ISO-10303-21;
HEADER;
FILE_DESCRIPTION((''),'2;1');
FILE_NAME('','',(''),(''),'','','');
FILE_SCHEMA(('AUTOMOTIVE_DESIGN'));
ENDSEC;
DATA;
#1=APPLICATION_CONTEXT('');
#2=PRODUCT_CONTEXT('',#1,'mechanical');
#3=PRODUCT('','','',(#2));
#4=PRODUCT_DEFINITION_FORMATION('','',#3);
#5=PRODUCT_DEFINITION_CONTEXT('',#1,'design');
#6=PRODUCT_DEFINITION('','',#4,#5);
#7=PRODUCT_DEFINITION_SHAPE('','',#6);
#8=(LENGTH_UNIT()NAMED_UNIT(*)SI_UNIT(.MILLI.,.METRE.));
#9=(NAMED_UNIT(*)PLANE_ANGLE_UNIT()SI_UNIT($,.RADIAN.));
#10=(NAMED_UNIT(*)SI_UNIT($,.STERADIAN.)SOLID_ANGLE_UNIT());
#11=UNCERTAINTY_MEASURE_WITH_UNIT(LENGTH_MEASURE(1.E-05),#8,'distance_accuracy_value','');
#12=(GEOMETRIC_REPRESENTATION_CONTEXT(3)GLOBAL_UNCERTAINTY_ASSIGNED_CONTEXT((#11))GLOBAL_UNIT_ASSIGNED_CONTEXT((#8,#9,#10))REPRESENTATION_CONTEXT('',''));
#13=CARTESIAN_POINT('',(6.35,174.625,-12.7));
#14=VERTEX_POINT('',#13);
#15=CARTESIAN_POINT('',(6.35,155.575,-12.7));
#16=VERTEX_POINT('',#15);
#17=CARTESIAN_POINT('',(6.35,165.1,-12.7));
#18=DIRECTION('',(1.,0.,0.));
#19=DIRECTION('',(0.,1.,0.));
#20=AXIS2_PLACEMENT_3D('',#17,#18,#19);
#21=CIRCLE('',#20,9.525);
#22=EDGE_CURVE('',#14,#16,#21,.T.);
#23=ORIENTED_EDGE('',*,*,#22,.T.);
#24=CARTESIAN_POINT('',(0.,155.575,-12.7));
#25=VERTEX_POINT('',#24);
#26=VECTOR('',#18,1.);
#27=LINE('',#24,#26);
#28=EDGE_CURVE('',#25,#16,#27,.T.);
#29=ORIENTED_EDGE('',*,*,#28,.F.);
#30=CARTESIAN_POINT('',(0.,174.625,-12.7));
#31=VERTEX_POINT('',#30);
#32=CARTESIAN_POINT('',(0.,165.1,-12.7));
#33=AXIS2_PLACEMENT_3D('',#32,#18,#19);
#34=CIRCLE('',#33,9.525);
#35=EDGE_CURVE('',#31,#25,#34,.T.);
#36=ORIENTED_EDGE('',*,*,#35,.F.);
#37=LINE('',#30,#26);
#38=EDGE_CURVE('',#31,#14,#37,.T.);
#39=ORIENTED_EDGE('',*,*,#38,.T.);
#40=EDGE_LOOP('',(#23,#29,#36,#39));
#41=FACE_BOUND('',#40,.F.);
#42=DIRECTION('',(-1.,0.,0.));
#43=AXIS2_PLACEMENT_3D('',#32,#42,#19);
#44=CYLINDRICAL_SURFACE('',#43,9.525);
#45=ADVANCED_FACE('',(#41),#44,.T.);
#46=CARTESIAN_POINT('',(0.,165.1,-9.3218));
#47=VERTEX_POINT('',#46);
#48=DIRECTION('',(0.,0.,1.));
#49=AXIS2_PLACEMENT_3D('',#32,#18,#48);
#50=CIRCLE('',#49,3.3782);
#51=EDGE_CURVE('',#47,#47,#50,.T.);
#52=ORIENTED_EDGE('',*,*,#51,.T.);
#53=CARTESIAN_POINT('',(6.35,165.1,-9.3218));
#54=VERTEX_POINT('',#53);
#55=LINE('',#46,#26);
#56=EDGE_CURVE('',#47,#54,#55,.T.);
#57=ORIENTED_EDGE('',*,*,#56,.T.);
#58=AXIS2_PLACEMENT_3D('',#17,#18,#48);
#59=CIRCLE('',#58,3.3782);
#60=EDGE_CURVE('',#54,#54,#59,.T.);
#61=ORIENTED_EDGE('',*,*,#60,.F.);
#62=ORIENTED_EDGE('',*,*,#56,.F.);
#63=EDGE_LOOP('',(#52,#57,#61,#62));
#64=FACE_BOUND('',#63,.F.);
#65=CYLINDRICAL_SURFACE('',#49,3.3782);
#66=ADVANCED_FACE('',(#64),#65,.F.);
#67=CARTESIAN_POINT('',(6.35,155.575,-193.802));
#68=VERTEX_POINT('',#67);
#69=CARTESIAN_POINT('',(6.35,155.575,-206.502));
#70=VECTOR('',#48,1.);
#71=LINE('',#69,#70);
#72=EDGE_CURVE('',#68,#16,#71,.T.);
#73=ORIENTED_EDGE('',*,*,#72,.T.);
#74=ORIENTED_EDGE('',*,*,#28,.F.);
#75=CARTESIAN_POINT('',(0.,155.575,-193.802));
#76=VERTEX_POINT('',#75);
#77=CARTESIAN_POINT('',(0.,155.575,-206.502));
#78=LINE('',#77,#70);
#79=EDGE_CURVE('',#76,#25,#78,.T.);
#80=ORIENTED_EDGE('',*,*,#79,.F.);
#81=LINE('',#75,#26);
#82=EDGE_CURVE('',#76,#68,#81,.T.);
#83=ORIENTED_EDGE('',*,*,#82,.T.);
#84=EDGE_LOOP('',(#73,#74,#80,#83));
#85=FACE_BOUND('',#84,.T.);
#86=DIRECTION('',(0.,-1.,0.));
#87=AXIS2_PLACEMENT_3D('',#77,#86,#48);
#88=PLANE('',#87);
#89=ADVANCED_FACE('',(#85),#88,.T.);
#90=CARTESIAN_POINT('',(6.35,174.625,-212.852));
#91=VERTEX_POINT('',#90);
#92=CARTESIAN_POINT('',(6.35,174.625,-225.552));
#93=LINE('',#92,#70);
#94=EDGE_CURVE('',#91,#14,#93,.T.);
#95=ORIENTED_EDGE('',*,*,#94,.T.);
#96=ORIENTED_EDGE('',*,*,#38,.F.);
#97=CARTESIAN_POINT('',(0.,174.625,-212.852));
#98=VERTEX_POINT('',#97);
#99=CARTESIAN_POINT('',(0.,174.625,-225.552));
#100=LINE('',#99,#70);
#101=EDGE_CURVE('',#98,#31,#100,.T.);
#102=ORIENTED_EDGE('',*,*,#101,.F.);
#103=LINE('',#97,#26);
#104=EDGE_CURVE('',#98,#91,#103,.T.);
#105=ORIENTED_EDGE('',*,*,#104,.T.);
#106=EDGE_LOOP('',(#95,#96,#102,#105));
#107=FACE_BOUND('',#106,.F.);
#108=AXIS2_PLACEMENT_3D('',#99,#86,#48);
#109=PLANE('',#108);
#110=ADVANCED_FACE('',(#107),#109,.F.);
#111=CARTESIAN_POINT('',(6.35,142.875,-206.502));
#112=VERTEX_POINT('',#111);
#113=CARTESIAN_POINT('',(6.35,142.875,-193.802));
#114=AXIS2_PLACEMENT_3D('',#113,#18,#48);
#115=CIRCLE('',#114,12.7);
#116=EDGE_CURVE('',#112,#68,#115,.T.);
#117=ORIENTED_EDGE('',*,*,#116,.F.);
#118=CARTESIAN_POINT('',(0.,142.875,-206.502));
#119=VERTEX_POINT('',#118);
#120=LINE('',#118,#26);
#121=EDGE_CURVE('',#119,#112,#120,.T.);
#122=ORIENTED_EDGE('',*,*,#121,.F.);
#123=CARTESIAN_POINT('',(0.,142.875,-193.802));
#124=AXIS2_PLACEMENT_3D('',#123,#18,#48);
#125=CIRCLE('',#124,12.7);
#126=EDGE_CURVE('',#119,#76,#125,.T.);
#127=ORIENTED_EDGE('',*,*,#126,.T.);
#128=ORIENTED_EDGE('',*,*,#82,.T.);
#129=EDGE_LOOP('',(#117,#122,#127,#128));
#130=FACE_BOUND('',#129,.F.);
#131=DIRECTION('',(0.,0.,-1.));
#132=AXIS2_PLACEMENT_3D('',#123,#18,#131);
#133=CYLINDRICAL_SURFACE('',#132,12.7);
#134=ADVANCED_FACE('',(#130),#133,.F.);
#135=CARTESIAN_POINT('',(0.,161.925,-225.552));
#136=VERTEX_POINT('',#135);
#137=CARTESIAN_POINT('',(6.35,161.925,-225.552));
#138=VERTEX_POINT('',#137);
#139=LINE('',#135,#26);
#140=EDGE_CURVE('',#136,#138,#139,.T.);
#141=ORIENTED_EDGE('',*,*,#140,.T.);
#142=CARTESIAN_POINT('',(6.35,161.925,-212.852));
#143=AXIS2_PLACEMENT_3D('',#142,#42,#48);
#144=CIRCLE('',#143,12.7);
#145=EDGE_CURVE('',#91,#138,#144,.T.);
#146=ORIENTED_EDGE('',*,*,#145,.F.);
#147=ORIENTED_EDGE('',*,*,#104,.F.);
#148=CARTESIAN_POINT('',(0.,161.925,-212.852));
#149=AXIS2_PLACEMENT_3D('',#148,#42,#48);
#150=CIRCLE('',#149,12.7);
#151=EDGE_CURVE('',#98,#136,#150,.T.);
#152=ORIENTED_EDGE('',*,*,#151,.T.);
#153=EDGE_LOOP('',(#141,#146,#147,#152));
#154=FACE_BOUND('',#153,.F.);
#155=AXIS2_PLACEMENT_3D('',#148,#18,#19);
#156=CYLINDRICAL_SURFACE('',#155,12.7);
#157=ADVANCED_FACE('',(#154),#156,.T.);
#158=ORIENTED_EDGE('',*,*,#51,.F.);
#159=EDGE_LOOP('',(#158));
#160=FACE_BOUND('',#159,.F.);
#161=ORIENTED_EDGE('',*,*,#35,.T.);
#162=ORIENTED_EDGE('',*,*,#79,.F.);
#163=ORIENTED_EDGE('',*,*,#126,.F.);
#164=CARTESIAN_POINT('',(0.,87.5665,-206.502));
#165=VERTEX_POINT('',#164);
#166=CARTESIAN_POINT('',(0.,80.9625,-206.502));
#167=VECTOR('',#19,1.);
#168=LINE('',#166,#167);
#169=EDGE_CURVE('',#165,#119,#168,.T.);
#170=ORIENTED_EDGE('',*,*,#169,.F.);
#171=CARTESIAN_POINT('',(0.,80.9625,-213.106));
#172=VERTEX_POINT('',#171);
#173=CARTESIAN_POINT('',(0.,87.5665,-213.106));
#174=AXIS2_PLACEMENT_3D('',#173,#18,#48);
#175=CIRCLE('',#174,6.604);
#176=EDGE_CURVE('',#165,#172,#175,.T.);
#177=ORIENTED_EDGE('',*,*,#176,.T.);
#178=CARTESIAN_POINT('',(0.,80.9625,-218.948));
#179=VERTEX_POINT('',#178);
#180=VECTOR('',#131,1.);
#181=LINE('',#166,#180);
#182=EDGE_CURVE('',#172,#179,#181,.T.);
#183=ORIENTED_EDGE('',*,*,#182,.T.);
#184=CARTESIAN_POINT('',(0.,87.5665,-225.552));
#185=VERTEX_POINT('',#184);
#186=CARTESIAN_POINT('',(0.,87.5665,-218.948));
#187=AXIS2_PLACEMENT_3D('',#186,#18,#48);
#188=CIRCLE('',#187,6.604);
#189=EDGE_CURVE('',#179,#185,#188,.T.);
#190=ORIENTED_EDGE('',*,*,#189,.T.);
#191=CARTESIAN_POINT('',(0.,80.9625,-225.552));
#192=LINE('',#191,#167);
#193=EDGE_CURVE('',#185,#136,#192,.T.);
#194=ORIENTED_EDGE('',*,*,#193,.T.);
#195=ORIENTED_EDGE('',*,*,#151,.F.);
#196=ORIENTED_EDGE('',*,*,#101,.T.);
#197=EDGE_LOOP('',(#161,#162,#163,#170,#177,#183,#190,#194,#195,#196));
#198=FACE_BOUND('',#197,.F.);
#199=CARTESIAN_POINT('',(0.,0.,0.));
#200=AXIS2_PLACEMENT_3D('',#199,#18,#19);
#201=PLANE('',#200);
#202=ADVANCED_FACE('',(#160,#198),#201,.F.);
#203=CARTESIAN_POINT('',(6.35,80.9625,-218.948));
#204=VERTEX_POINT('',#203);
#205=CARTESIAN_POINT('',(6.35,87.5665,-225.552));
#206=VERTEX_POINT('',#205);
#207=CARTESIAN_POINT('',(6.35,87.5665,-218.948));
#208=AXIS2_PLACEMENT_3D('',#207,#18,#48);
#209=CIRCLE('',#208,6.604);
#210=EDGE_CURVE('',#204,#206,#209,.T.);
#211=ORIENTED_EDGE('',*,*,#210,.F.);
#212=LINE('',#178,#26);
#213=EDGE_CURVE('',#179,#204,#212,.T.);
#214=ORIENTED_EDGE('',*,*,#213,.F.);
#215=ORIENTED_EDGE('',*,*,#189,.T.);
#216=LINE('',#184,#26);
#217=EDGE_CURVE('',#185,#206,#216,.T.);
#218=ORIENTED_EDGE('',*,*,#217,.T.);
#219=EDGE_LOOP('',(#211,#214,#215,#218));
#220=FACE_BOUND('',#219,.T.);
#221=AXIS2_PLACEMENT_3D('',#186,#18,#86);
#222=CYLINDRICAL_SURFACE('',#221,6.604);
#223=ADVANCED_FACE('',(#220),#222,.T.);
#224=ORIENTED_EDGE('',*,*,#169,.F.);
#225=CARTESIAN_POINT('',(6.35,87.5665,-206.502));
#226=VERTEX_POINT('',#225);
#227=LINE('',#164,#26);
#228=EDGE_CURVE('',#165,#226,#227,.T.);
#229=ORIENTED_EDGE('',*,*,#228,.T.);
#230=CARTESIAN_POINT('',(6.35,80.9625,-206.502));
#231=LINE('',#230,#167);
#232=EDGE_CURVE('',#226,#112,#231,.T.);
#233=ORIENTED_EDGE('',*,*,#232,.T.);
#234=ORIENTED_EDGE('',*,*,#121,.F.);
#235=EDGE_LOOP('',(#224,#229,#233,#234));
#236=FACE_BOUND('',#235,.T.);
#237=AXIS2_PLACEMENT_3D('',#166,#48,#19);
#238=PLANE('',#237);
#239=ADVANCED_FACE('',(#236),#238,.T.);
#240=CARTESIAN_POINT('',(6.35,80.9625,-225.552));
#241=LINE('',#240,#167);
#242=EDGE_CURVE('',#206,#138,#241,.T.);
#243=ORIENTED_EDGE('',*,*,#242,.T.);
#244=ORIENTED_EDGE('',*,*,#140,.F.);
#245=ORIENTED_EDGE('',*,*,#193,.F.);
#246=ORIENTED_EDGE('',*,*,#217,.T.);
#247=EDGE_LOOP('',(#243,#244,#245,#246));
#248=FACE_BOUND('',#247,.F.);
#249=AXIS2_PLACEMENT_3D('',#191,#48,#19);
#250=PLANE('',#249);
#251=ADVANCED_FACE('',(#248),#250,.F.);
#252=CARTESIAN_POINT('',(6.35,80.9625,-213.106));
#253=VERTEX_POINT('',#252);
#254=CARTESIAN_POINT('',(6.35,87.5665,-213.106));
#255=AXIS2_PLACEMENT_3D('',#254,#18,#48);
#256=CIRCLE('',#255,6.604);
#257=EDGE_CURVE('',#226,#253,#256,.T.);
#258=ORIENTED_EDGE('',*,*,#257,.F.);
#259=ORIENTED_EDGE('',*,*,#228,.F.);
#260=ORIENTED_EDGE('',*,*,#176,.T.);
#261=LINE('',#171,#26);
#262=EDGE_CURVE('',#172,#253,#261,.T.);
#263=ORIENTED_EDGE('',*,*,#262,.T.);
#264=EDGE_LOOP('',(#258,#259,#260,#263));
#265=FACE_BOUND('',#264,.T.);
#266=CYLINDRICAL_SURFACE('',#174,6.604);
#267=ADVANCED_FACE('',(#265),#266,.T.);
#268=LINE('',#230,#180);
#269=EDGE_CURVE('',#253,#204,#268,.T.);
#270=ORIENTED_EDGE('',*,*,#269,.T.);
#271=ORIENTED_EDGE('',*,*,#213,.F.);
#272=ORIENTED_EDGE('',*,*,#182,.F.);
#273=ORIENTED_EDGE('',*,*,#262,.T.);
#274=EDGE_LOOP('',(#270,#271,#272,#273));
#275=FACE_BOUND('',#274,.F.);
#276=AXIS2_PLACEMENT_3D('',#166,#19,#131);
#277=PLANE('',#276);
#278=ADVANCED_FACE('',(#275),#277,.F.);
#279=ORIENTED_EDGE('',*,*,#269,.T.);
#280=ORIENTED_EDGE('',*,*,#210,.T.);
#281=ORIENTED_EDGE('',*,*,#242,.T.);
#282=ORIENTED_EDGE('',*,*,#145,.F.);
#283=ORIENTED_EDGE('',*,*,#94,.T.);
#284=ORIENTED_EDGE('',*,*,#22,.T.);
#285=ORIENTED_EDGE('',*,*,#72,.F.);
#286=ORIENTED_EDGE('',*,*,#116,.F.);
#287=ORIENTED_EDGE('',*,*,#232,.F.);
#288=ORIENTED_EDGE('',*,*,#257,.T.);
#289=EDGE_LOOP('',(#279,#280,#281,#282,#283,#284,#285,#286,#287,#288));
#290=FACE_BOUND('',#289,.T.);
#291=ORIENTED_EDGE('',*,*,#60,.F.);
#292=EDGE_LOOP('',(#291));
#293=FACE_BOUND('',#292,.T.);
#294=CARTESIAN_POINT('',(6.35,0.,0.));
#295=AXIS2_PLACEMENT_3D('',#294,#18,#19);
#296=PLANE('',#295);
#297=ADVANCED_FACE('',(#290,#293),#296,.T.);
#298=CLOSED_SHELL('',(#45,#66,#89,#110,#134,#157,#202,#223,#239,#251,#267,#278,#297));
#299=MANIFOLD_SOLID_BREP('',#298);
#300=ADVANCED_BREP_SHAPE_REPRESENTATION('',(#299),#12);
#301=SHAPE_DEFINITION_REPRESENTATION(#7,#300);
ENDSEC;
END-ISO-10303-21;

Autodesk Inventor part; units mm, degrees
ref_plane "YZ Plane" through (0, 0, 0) normal (1, 0, 0) x (0, 1, 0)
ref_plane "XZ Plane" through (0, 0, 0) normal (0, 1, 0) x (-1, 0, 0)
ref_plane "XY Plane" through (0, 0, 0) normal (0, 0, 1) x (1, 0, 0)
sketch "Sketch1" plane through (0, 0, 0) normal (1, 0, 0) x (0, 1, 0)
  line L0 (0, 0) -> (50.8, 0) construction
  line L1 (50.8, 0) -> (50.8, -25.4) construction
  line L2 (50.8, -25.4) -> (0, -25.4) construction
  line L3 (0, -25.4) -> (0, 0) construction
  line L4 (12.7, -25.4) -> (139.7, -25.4) construction
  line L5 (139.7, -25.4) -> (139.7, -111.252) construction
  line L6 (139.7, -111.252) -> (12.7, -111.252) construction
  line L7 (12.7, -111.252) -> (12.7, -25.4) construction
  line L8 (80.9625, -111.252) -> (665.1625, -111.252) construction
  line L9 (665.1625, -111.252) -> (665.1625, -320.802) construction
  line L10 (665.1625, -320.802) -> (80.9625, -320.802) construction
  line L11 (80.9625, -320.802) -> (80.9625, -111.252) construction
  point P0 (0, -12.7)
  dimension "d0" = 50.8
  dimension "d1" = 25.4
  dimension "d2" = 12.7
  dimension "d3" = 85.852
  dimension "d4" = 127
  dimension "d5" = 80.9625
  dimension "d6" = 209.55
  dimension "d7" = 584.2
sketch "Sketch2" plane through (0, 0, 0) normal (1, 0, 0) x (0, 1, 0)
  line L0 (139.7, -25.4) -> (139.7, -111.252) construction
  line L1 (80.9625, -320.802) -> (80.9625, -111.252) construction
  line L2 (139.7, -111.252) -> (12.7, -111.252) construction
  line L3 (50.8, 0) -> (50.8, -25.4) construction
  line L4 (12.7, -25.4) -> (139.7, -25.4) construction
  line L5 (12.7, -111.252) -> (12.7, -25.4) construction
  line L6 (50.8, -25.4) -> (0, -25.4) construction
  line L7 (0, -25.4) -> (0, 0) construction
  line L8 (0, 0) -> (50.8, 0) construction
  line L9 (665.1625, -320.802) -> (80.9625, -320.802) construction
  line L10 (80.9625, -111.252) -> (665.1625, -111.252) construction
  line L11 (665.1625, -111.252) -> (665.1625, -320.802) construction
  line L12 (50.8, -25.4) -> (190.5, -25.4) construction
  line L13 (190.5, -25.4) -> (190.5, 0) construction
  line L14 (190.5, 0) -> (50.8, 0) construction
  line L15 (50.8, 0) -> (50.8, -25.4) construction
  line L16 (165.1, -12.7) -> (165.1, -216.027) construction
  line L17 (165.1, -216.027) -> (80.9625, -216.027) construction
  line L18 (80.9625, -225.552) -> (174.625, -225.552)
  line L19 (174.625, -225.552) -> (174.625, -12.7)
  line L20 (80.9625, -206.502) -> (155.575, -206.502)
  line L21 (155.575, -206.502) -> (155.575, -12.7)
  line L22 (80.9625, -206.502) -> (80.9625, -225.552)
  arc A0 (174.625, -12.7) -> (155.575, -12.7) centre (165.1, -12.7) ccw
  point P0 (0, -12.7)
  point P1 (190.5, -12.7)
  dimension "d8" = 50.8
  dimension "d9" = 25.4
  dimension "d10" = 9.525
  dimension "d11" = 9.525
  dimension "d12" = 139.7
extrude "Extrusion1" add sketch "Sketch2" along normal blind 6.35
fillet "Fillet1" radius 12.7 2 edges at (3.175, 155.575, -206.502) (3.175, 174.625, -225.552)
fillet "Fillet2" radius 6.604 2 edges at (3.175, 80.9625, -225.552) (3.175, 80.9625, -206.502)
hole "Hole1" at (0, 139.7, -111.252) at (0, 139.7, -25.4) at (0, 80.9625, -111.252) at (0, 80.9625, -320.802) at (0, 50.8, -25.4) at (0, 12.7, -111.252) at (0, 50.8, 0) at (0, 0, -25.4) at (0, 0, -12.7) at (0, 165.1, -12.7) direction (1, 0, 0) diameter 6.7564 end through all clearance for "Flat Head Machine Screw (82)" size "1/4" standard "Ansi Unified Screw Threads"
properties part number "CHD-002" material "Aluminum 6061"
